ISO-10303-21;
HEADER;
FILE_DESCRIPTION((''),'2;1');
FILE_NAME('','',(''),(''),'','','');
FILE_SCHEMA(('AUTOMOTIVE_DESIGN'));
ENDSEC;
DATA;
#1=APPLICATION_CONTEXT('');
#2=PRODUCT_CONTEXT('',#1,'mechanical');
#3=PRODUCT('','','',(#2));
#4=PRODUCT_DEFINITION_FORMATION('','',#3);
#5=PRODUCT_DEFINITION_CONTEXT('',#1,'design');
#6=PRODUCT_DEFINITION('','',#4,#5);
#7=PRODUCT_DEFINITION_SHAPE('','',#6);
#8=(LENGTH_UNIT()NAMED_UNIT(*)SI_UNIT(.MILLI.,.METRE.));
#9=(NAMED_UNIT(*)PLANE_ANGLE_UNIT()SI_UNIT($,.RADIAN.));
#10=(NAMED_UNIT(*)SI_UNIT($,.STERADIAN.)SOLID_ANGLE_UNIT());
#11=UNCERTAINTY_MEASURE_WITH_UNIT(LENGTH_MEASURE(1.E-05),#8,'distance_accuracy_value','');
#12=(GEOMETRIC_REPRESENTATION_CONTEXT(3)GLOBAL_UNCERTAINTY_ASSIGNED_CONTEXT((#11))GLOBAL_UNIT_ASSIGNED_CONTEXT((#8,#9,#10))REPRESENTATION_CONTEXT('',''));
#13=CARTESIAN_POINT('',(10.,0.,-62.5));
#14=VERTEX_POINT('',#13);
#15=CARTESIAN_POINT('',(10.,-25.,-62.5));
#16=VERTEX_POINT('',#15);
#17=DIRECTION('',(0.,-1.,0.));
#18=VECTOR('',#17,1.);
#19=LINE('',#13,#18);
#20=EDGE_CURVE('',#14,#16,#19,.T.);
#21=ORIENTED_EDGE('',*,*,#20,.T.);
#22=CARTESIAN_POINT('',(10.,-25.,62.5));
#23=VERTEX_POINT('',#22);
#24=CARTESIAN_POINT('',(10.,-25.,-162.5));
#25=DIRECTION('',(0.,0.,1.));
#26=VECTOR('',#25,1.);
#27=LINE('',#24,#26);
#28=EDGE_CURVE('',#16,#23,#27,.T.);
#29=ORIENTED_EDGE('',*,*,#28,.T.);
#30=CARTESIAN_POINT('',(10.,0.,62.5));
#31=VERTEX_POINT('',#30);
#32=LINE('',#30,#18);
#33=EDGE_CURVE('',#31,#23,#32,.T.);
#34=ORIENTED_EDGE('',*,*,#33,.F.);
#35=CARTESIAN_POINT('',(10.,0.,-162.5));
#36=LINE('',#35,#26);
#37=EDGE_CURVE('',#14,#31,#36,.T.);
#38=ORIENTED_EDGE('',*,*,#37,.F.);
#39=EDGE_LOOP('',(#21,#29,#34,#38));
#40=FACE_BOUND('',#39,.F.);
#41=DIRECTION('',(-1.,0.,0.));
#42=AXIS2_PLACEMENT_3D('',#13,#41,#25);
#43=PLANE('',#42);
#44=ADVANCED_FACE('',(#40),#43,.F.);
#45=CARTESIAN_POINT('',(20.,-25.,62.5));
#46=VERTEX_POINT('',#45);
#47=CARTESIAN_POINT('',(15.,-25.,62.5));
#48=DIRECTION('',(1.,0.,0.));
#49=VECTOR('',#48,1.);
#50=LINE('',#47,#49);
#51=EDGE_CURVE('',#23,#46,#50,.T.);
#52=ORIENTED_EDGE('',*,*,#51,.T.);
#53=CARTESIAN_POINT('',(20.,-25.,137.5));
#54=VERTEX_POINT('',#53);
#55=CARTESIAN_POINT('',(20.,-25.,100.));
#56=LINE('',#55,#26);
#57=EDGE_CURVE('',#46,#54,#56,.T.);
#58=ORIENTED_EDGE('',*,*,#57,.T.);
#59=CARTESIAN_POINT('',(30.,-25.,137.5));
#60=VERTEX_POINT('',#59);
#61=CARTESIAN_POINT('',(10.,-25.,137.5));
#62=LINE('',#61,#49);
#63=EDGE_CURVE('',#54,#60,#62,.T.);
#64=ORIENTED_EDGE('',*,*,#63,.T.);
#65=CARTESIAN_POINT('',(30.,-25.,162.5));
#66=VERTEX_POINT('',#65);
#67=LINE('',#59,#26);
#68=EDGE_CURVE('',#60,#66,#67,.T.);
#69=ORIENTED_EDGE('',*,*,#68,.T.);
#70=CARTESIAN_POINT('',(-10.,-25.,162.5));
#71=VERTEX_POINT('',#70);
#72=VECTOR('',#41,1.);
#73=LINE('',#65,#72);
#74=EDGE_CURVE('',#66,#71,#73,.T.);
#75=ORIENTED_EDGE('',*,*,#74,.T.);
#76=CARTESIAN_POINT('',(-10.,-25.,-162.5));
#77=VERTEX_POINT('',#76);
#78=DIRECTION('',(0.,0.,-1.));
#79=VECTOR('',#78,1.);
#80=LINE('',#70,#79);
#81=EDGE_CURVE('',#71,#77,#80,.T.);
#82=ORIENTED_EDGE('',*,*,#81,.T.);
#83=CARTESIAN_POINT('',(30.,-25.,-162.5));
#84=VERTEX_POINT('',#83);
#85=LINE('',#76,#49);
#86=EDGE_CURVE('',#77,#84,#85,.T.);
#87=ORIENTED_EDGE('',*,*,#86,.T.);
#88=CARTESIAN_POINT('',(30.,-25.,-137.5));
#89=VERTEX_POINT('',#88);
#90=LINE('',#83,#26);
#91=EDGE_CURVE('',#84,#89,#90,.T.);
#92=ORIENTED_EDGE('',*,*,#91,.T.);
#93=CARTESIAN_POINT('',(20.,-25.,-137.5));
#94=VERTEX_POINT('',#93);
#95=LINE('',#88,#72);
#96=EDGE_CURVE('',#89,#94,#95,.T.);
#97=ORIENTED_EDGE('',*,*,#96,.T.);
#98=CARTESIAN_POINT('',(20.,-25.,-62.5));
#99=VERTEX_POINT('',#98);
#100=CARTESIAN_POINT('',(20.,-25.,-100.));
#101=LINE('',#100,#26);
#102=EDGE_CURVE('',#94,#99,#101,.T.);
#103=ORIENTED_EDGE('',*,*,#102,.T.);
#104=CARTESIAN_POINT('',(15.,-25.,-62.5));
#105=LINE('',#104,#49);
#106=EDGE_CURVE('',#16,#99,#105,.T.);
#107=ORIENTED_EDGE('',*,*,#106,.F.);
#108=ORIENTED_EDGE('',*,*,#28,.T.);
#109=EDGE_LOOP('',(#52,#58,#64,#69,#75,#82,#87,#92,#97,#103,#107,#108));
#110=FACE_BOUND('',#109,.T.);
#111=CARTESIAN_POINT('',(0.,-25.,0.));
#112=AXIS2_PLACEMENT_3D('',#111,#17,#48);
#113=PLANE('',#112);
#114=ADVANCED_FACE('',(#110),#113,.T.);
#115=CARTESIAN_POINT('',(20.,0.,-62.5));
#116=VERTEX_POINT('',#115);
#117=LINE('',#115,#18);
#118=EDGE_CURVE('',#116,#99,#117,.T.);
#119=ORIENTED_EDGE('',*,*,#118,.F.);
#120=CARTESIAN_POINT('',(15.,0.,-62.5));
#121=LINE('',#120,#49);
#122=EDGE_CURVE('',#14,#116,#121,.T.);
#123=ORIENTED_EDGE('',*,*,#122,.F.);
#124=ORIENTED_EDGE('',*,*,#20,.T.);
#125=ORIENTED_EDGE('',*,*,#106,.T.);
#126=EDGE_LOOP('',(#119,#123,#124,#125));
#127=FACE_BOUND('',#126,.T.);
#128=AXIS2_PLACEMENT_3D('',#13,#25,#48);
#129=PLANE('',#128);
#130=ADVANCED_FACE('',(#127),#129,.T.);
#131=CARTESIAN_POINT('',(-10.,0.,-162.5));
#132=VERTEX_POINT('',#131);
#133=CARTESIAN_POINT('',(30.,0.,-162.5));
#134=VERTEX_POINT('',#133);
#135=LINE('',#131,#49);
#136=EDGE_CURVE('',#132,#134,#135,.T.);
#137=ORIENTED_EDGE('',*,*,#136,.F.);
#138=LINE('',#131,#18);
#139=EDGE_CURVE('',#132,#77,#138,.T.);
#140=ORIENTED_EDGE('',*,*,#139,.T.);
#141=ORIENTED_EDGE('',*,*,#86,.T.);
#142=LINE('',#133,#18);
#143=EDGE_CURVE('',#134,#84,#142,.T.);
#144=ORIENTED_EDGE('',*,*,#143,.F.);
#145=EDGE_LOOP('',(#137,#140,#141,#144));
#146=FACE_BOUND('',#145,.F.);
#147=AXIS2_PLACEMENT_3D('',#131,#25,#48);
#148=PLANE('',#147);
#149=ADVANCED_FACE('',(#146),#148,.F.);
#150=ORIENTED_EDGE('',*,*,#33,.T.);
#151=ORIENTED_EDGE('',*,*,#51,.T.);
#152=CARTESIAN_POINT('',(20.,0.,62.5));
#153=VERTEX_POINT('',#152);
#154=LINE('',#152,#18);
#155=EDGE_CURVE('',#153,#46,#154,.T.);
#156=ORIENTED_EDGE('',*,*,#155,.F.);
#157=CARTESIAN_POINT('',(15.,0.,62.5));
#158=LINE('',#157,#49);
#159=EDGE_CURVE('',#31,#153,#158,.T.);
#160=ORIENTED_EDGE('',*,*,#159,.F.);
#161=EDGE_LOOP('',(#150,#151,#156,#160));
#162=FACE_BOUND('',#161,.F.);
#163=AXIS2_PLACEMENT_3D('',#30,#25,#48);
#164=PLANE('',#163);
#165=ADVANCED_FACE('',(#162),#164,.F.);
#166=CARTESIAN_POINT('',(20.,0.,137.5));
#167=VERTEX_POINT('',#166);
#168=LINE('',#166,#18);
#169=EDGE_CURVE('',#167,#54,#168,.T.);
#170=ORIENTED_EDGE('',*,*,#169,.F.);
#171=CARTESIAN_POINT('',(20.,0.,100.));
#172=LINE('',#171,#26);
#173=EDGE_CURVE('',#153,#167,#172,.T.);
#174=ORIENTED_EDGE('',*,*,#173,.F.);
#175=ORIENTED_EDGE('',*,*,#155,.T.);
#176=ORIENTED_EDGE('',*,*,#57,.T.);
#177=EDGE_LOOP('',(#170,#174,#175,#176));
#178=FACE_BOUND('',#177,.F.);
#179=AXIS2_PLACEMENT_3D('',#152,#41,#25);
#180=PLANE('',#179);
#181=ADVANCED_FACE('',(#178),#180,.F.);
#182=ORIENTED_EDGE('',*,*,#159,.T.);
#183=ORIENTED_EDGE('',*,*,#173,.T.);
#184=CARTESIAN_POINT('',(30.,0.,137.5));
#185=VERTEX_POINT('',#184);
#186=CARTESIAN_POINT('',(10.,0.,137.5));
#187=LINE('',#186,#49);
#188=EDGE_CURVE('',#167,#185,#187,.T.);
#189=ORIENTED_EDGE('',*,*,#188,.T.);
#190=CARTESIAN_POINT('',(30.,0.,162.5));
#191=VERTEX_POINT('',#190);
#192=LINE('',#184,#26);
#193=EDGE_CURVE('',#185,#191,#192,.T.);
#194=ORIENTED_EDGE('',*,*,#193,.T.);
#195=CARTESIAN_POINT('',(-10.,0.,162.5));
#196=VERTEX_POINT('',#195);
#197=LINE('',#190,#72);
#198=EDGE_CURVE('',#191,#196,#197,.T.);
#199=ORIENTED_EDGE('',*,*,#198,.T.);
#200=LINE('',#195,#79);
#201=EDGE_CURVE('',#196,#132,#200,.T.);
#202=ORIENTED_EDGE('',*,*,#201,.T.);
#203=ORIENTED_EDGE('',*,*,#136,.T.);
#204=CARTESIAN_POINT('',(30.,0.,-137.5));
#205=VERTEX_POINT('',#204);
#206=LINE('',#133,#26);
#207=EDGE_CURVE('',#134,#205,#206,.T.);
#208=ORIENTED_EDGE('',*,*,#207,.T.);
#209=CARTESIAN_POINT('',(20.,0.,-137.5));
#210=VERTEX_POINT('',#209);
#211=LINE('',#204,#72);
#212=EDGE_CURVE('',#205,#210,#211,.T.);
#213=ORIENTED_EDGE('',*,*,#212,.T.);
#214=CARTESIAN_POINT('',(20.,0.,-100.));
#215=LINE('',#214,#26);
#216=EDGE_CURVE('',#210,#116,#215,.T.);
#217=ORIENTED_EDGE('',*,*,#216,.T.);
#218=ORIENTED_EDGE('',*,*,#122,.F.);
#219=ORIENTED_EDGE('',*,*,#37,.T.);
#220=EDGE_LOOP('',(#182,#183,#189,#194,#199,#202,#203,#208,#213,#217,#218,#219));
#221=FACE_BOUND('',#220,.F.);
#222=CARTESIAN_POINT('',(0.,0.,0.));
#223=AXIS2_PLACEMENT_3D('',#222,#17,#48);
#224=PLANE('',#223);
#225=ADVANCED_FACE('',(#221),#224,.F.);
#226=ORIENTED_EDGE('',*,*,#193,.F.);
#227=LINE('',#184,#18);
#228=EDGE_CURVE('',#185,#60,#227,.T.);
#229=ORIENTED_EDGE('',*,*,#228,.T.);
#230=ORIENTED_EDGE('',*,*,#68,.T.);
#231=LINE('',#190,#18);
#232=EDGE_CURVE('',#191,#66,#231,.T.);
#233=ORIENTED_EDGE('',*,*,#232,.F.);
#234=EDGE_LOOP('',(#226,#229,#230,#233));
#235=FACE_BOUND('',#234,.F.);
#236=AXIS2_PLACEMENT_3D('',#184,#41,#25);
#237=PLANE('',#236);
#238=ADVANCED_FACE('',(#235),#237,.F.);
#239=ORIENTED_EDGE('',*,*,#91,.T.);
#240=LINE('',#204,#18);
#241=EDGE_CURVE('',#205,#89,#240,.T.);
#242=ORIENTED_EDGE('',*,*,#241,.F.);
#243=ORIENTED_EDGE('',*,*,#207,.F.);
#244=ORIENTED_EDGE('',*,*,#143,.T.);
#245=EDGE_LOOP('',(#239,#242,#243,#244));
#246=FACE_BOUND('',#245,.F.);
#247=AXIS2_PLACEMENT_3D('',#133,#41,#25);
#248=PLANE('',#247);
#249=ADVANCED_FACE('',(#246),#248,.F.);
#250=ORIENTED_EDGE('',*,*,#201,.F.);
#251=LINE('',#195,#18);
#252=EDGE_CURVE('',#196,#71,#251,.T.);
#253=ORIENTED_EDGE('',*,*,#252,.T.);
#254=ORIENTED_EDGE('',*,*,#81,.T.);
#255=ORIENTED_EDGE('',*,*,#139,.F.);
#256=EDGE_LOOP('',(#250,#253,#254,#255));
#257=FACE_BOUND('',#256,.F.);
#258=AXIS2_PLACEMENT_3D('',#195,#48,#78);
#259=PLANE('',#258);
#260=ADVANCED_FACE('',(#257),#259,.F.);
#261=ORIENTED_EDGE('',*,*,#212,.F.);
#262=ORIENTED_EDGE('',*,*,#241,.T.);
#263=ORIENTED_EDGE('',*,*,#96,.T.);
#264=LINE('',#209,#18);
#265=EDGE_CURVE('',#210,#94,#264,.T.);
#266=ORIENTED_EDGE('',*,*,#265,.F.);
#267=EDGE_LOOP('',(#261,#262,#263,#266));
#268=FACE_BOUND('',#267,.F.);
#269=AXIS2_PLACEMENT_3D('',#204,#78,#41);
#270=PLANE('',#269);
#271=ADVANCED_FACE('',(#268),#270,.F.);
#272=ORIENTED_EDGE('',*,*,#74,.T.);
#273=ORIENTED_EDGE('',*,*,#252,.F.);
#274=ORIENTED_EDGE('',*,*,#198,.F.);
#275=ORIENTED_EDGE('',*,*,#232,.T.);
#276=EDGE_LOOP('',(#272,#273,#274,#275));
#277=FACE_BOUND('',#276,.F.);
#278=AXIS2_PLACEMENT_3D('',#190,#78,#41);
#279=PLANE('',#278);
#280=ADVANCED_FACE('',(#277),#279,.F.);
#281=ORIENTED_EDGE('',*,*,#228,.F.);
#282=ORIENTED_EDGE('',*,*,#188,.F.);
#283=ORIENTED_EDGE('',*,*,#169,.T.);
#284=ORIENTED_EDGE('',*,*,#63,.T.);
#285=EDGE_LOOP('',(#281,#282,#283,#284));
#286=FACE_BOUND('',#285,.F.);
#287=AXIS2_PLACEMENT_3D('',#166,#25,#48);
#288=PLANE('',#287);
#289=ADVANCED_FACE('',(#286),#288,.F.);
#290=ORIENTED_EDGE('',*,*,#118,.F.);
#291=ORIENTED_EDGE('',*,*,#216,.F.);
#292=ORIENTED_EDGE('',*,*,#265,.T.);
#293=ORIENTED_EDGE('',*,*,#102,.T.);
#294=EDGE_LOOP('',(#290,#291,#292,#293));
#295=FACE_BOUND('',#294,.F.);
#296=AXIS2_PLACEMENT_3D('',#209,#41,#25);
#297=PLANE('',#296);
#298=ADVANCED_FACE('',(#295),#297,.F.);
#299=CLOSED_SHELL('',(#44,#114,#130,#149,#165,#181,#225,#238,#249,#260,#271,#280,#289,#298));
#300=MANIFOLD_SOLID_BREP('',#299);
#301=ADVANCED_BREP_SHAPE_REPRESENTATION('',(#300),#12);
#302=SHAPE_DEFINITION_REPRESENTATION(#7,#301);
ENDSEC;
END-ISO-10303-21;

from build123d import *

# Parameters (mm, degrees)
F0_W     = 10
F0_H     = 75
F1_DEPTH = 25


with BuildPart() as f1:
    # F0 (on Front) → F1 (new body)
    with BuildSketch(Plane.XZ):
        Polygon((10, 162.5), (-10, 162.5), (-10, -162.5), (10, -162.5), (10, -137.5), (10, -62.5), (10, 62.5), (10, 137.5), align=None)
        Polygon((30, 162.5), (10, 162.5), (10, 137.5), (20, 137.5), (30, 137.5), align=None)
        with Locations((15, 100)):
            Rectangle(F0_W, F0_H)
        Polygon((10, -137.5), (10, -162.5), (30, -162.5), (30, -137.5), (20, -137.5), align=None)
        with Locations((15, -100)):
            Rectangle(F0_W, F0_H)
    extrude(amount=F1_DEPTH)


solid = f1.part
